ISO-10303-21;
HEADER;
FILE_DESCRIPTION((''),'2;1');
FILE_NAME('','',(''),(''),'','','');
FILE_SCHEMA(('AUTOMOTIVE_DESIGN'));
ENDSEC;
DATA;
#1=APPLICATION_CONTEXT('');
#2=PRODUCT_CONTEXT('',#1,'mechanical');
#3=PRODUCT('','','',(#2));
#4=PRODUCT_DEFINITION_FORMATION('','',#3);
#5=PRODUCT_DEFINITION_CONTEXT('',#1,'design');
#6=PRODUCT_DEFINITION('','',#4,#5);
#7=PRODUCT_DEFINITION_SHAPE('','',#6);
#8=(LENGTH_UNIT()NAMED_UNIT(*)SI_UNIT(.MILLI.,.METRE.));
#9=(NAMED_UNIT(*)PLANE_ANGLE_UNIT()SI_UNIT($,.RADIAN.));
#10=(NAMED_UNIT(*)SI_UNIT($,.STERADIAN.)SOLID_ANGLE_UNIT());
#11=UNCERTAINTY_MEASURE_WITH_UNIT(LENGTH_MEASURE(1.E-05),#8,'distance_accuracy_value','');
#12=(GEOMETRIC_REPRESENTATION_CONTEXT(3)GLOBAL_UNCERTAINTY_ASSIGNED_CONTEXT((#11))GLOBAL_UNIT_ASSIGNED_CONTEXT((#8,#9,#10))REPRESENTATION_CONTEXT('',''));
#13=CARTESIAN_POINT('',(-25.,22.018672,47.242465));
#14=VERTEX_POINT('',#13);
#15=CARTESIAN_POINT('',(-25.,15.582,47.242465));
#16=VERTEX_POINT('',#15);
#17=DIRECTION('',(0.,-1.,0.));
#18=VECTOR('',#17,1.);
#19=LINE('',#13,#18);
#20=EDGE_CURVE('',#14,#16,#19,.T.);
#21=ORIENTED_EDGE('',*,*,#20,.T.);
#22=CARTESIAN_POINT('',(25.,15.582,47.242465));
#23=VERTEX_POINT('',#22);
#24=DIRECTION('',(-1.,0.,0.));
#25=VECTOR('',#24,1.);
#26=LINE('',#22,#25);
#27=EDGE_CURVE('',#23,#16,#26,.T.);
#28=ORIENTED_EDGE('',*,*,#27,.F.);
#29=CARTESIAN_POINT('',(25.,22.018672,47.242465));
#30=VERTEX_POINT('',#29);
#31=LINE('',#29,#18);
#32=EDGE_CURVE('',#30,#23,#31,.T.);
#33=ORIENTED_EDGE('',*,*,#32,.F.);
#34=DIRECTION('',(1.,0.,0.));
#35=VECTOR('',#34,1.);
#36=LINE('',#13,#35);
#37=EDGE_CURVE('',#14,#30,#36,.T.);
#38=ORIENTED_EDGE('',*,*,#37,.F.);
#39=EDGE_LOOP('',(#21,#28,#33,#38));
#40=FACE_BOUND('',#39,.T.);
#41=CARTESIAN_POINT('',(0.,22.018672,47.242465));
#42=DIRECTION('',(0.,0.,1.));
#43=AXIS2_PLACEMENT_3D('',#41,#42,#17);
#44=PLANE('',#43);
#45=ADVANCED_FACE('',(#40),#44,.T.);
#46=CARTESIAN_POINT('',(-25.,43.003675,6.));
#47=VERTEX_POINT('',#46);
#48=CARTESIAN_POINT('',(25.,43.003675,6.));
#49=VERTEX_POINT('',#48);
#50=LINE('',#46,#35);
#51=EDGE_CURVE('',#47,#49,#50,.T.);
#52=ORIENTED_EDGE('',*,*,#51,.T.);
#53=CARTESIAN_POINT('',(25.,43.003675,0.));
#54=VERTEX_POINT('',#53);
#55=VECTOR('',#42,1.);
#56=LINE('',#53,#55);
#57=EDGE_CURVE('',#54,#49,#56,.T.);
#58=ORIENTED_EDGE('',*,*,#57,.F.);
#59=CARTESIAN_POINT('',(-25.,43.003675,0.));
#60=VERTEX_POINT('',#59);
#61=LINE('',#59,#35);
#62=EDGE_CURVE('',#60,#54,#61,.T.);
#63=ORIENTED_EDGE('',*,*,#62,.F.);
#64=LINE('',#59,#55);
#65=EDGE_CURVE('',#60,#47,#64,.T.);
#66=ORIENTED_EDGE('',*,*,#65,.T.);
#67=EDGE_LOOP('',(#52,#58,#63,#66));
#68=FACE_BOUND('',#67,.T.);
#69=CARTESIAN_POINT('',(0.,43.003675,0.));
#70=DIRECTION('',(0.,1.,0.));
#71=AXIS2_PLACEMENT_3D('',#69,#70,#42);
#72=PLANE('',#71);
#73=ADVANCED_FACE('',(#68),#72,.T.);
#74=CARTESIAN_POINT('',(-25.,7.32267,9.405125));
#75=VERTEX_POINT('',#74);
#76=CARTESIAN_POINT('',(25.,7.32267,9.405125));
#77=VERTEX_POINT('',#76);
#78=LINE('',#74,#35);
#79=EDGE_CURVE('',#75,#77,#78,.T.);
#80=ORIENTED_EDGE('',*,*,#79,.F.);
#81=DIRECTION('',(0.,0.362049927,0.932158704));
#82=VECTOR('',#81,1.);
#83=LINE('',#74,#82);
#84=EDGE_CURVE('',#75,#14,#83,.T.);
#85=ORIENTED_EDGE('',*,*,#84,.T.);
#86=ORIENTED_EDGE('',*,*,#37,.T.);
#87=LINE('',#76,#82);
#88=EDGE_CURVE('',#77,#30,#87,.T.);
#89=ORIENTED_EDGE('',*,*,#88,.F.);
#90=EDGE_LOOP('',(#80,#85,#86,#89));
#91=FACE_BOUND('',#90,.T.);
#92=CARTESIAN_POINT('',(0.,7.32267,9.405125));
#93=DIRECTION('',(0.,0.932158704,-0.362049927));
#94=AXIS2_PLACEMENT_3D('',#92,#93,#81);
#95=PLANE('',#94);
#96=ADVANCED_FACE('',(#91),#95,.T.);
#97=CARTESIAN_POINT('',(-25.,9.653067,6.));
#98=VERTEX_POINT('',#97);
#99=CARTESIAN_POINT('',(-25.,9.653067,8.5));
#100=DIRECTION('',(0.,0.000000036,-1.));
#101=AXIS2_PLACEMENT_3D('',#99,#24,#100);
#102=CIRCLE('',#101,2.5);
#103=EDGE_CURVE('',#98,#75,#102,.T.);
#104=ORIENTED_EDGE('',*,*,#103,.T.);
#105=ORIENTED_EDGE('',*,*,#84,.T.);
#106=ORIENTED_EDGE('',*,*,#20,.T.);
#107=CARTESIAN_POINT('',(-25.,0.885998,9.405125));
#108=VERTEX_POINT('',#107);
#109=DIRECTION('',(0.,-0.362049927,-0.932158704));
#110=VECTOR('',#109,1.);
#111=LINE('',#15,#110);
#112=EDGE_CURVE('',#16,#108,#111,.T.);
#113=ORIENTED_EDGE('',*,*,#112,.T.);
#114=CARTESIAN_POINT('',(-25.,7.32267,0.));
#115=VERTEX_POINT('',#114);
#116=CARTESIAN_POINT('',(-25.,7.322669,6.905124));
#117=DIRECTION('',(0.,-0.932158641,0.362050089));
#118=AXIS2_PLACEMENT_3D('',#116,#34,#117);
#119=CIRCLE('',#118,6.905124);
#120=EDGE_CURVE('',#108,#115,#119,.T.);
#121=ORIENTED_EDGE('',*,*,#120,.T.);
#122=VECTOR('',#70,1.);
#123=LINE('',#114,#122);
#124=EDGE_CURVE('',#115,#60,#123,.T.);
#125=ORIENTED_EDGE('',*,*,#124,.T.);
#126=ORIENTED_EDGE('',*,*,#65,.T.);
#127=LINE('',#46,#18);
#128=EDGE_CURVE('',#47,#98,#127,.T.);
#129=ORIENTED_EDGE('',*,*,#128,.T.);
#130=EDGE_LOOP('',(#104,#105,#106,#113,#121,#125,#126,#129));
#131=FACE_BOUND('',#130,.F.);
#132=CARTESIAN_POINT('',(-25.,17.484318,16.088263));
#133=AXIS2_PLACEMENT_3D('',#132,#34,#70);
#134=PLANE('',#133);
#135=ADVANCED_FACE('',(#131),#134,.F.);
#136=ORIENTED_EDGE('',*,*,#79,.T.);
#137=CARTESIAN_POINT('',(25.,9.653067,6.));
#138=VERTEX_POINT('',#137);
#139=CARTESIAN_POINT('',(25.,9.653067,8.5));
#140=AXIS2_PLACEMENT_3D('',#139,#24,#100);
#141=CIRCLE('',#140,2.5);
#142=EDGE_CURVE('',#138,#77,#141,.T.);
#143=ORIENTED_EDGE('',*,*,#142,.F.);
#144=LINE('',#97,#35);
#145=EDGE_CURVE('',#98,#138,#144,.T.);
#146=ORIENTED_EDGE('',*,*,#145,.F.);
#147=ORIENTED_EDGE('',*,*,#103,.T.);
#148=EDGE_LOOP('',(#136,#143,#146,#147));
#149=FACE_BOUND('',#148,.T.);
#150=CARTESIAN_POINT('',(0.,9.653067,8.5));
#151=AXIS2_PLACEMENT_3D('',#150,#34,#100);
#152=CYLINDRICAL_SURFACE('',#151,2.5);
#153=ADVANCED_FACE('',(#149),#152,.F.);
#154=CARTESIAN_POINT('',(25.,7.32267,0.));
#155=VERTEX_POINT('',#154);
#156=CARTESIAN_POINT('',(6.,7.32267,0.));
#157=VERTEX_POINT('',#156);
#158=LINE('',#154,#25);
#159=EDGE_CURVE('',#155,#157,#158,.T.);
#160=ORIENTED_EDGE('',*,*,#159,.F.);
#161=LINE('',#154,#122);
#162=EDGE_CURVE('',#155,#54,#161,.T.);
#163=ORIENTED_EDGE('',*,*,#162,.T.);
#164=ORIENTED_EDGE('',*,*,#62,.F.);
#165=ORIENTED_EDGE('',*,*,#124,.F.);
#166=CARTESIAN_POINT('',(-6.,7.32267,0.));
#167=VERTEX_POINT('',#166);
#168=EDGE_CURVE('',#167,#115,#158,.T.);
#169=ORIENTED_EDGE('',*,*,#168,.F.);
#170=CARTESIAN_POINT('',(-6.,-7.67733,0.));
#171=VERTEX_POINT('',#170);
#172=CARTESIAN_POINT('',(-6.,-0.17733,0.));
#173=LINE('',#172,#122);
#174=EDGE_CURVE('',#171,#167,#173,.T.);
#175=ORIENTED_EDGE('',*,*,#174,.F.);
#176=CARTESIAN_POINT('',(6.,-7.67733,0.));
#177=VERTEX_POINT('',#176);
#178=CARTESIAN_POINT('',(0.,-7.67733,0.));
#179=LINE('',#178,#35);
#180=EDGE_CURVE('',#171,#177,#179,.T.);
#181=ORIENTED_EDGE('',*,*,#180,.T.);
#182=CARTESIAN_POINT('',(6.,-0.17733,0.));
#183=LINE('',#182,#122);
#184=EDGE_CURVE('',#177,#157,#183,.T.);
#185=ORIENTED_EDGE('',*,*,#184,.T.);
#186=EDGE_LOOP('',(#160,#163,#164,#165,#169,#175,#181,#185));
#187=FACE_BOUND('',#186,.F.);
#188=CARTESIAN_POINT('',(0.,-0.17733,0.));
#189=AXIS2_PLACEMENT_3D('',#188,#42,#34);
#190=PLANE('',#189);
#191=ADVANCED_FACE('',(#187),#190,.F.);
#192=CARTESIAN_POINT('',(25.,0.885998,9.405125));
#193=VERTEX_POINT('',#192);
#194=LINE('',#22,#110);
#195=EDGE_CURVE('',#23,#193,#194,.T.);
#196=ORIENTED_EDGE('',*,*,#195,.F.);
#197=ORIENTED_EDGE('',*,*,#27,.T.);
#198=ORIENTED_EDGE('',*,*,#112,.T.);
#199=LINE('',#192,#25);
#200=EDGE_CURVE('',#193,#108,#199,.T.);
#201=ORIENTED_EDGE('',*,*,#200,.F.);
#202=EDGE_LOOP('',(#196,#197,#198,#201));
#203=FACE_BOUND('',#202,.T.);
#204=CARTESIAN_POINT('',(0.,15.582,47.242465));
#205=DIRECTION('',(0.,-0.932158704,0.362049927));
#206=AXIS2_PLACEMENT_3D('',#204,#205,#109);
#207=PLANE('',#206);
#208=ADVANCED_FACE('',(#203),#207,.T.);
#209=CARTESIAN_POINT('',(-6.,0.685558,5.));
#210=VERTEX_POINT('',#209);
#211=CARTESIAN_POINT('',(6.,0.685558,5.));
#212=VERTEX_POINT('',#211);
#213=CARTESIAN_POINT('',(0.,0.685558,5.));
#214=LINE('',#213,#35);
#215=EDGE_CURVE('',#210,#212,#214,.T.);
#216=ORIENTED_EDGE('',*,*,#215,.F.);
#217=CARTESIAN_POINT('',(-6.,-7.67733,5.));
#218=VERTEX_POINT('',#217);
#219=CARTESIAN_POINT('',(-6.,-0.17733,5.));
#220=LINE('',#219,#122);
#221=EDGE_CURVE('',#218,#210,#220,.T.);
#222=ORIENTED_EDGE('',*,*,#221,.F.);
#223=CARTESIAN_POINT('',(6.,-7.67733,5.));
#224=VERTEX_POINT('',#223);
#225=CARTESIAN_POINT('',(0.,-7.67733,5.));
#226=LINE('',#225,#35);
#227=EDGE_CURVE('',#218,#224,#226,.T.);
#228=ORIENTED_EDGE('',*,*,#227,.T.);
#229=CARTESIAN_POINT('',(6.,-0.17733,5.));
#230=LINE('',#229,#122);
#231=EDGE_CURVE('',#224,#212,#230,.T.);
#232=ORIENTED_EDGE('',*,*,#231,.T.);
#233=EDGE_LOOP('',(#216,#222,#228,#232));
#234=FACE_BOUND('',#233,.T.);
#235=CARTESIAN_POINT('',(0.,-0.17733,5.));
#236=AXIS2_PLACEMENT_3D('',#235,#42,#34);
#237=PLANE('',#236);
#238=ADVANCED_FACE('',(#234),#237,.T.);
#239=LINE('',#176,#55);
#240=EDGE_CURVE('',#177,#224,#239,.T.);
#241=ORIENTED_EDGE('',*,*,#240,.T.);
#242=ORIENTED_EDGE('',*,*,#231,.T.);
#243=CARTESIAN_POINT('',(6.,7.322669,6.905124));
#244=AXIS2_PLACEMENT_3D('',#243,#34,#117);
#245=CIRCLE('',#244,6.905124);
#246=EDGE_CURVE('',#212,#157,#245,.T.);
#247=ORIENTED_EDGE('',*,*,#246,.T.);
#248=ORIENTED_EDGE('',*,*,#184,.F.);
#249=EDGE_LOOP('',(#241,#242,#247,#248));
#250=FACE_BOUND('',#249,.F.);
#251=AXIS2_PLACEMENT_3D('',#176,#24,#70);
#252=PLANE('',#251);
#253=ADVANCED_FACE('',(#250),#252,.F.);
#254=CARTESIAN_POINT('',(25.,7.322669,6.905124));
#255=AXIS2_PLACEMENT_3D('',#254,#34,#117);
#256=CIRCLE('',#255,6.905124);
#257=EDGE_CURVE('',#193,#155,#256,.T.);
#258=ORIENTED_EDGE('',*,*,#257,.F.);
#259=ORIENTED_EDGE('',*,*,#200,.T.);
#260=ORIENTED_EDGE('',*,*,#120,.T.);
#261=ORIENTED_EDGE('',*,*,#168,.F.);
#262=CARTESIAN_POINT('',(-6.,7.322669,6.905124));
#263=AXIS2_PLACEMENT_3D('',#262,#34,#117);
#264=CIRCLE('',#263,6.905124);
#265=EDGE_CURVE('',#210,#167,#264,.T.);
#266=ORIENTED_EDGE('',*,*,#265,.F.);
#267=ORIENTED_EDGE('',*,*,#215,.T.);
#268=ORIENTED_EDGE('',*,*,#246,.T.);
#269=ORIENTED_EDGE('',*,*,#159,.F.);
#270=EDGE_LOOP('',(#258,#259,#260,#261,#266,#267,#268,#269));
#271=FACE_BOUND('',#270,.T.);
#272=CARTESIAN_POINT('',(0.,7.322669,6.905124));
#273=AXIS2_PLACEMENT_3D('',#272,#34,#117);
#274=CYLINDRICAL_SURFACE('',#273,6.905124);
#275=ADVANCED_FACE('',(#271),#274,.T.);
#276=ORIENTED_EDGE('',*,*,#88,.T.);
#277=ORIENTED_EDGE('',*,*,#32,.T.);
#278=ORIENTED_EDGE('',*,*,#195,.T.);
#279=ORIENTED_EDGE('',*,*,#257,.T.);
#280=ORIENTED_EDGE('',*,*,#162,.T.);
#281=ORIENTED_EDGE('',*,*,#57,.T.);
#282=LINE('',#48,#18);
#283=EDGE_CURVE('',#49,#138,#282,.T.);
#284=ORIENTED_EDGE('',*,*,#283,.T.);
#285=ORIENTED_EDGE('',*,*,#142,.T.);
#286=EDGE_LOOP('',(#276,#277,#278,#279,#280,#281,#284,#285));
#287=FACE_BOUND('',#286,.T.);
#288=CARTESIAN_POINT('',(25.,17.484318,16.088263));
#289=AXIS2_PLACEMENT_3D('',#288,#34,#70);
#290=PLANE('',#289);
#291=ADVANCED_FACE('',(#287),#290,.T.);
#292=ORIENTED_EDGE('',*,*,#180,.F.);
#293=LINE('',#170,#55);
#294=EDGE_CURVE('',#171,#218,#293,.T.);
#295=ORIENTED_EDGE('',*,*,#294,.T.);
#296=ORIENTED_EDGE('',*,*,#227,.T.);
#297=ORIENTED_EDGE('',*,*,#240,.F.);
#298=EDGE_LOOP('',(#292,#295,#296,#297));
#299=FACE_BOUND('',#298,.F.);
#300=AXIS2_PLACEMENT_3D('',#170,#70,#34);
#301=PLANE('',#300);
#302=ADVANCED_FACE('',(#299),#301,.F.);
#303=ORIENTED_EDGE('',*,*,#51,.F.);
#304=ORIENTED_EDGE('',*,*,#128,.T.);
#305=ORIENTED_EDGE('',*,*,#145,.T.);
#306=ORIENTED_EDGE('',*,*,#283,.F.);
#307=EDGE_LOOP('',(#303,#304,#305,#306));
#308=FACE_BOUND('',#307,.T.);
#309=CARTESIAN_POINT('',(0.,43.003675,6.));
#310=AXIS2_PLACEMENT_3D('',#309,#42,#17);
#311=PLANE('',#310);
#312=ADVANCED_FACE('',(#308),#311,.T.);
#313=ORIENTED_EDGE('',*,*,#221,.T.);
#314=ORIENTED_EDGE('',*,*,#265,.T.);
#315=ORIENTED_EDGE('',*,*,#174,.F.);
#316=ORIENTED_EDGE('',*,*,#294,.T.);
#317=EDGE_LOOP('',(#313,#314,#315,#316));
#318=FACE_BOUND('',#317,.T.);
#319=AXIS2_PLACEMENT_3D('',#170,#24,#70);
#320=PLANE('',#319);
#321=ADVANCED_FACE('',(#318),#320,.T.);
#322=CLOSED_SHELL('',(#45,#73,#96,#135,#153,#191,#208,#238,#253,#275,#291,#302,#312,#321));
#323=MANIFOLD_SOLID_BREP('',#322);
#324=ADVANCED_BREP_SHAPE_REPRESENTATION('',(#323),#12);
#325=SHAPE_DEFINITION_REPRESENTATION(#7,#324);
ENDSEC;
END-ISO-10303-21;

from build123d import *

# Parameters (mm, degrees)
F1_DEPTH = 25
F3_W     = 12
F3_H     = 15
F4_DEPTH = 5


with BuildPart() as f1:
    # F0 (on Right) → F1 (new body, symmetric)
    with BuildSketch(Plane.YZ):
        with BuildLine():
            Line((7.32267, 0), (43.003675, 0))
            Line((43.003675, 0), (43.003675, 6))
            Line((43.003675, 6), (9.653067, 6))
            ThreePointArc((9.653067, 6), (7.589961, 7.088053), (7.32267, 9.405125))
            Line((7.32267, 9.405125), (22.018672, 47.242465))
            Line((22.018672, 47.242465), (15.582, 47.242465))
            Line((15.582, 47.242465), (0.885998, 9.405125))
            ThreePointArc((0.885998, 9.405125), (1.624268, 3.005257), (7.32267, 0))
        make_face()
    extrude(amount=F1_DEPTH, both=True)

    # F3 (on Top) → F4 (join)
    with BuildSketch(Plane.XY):
        with Locations((0, -0.17733)):
            Rectangle(F3_W, F3_H)
    extrude(amount=F4_DEPTH)


solid = f1.part
